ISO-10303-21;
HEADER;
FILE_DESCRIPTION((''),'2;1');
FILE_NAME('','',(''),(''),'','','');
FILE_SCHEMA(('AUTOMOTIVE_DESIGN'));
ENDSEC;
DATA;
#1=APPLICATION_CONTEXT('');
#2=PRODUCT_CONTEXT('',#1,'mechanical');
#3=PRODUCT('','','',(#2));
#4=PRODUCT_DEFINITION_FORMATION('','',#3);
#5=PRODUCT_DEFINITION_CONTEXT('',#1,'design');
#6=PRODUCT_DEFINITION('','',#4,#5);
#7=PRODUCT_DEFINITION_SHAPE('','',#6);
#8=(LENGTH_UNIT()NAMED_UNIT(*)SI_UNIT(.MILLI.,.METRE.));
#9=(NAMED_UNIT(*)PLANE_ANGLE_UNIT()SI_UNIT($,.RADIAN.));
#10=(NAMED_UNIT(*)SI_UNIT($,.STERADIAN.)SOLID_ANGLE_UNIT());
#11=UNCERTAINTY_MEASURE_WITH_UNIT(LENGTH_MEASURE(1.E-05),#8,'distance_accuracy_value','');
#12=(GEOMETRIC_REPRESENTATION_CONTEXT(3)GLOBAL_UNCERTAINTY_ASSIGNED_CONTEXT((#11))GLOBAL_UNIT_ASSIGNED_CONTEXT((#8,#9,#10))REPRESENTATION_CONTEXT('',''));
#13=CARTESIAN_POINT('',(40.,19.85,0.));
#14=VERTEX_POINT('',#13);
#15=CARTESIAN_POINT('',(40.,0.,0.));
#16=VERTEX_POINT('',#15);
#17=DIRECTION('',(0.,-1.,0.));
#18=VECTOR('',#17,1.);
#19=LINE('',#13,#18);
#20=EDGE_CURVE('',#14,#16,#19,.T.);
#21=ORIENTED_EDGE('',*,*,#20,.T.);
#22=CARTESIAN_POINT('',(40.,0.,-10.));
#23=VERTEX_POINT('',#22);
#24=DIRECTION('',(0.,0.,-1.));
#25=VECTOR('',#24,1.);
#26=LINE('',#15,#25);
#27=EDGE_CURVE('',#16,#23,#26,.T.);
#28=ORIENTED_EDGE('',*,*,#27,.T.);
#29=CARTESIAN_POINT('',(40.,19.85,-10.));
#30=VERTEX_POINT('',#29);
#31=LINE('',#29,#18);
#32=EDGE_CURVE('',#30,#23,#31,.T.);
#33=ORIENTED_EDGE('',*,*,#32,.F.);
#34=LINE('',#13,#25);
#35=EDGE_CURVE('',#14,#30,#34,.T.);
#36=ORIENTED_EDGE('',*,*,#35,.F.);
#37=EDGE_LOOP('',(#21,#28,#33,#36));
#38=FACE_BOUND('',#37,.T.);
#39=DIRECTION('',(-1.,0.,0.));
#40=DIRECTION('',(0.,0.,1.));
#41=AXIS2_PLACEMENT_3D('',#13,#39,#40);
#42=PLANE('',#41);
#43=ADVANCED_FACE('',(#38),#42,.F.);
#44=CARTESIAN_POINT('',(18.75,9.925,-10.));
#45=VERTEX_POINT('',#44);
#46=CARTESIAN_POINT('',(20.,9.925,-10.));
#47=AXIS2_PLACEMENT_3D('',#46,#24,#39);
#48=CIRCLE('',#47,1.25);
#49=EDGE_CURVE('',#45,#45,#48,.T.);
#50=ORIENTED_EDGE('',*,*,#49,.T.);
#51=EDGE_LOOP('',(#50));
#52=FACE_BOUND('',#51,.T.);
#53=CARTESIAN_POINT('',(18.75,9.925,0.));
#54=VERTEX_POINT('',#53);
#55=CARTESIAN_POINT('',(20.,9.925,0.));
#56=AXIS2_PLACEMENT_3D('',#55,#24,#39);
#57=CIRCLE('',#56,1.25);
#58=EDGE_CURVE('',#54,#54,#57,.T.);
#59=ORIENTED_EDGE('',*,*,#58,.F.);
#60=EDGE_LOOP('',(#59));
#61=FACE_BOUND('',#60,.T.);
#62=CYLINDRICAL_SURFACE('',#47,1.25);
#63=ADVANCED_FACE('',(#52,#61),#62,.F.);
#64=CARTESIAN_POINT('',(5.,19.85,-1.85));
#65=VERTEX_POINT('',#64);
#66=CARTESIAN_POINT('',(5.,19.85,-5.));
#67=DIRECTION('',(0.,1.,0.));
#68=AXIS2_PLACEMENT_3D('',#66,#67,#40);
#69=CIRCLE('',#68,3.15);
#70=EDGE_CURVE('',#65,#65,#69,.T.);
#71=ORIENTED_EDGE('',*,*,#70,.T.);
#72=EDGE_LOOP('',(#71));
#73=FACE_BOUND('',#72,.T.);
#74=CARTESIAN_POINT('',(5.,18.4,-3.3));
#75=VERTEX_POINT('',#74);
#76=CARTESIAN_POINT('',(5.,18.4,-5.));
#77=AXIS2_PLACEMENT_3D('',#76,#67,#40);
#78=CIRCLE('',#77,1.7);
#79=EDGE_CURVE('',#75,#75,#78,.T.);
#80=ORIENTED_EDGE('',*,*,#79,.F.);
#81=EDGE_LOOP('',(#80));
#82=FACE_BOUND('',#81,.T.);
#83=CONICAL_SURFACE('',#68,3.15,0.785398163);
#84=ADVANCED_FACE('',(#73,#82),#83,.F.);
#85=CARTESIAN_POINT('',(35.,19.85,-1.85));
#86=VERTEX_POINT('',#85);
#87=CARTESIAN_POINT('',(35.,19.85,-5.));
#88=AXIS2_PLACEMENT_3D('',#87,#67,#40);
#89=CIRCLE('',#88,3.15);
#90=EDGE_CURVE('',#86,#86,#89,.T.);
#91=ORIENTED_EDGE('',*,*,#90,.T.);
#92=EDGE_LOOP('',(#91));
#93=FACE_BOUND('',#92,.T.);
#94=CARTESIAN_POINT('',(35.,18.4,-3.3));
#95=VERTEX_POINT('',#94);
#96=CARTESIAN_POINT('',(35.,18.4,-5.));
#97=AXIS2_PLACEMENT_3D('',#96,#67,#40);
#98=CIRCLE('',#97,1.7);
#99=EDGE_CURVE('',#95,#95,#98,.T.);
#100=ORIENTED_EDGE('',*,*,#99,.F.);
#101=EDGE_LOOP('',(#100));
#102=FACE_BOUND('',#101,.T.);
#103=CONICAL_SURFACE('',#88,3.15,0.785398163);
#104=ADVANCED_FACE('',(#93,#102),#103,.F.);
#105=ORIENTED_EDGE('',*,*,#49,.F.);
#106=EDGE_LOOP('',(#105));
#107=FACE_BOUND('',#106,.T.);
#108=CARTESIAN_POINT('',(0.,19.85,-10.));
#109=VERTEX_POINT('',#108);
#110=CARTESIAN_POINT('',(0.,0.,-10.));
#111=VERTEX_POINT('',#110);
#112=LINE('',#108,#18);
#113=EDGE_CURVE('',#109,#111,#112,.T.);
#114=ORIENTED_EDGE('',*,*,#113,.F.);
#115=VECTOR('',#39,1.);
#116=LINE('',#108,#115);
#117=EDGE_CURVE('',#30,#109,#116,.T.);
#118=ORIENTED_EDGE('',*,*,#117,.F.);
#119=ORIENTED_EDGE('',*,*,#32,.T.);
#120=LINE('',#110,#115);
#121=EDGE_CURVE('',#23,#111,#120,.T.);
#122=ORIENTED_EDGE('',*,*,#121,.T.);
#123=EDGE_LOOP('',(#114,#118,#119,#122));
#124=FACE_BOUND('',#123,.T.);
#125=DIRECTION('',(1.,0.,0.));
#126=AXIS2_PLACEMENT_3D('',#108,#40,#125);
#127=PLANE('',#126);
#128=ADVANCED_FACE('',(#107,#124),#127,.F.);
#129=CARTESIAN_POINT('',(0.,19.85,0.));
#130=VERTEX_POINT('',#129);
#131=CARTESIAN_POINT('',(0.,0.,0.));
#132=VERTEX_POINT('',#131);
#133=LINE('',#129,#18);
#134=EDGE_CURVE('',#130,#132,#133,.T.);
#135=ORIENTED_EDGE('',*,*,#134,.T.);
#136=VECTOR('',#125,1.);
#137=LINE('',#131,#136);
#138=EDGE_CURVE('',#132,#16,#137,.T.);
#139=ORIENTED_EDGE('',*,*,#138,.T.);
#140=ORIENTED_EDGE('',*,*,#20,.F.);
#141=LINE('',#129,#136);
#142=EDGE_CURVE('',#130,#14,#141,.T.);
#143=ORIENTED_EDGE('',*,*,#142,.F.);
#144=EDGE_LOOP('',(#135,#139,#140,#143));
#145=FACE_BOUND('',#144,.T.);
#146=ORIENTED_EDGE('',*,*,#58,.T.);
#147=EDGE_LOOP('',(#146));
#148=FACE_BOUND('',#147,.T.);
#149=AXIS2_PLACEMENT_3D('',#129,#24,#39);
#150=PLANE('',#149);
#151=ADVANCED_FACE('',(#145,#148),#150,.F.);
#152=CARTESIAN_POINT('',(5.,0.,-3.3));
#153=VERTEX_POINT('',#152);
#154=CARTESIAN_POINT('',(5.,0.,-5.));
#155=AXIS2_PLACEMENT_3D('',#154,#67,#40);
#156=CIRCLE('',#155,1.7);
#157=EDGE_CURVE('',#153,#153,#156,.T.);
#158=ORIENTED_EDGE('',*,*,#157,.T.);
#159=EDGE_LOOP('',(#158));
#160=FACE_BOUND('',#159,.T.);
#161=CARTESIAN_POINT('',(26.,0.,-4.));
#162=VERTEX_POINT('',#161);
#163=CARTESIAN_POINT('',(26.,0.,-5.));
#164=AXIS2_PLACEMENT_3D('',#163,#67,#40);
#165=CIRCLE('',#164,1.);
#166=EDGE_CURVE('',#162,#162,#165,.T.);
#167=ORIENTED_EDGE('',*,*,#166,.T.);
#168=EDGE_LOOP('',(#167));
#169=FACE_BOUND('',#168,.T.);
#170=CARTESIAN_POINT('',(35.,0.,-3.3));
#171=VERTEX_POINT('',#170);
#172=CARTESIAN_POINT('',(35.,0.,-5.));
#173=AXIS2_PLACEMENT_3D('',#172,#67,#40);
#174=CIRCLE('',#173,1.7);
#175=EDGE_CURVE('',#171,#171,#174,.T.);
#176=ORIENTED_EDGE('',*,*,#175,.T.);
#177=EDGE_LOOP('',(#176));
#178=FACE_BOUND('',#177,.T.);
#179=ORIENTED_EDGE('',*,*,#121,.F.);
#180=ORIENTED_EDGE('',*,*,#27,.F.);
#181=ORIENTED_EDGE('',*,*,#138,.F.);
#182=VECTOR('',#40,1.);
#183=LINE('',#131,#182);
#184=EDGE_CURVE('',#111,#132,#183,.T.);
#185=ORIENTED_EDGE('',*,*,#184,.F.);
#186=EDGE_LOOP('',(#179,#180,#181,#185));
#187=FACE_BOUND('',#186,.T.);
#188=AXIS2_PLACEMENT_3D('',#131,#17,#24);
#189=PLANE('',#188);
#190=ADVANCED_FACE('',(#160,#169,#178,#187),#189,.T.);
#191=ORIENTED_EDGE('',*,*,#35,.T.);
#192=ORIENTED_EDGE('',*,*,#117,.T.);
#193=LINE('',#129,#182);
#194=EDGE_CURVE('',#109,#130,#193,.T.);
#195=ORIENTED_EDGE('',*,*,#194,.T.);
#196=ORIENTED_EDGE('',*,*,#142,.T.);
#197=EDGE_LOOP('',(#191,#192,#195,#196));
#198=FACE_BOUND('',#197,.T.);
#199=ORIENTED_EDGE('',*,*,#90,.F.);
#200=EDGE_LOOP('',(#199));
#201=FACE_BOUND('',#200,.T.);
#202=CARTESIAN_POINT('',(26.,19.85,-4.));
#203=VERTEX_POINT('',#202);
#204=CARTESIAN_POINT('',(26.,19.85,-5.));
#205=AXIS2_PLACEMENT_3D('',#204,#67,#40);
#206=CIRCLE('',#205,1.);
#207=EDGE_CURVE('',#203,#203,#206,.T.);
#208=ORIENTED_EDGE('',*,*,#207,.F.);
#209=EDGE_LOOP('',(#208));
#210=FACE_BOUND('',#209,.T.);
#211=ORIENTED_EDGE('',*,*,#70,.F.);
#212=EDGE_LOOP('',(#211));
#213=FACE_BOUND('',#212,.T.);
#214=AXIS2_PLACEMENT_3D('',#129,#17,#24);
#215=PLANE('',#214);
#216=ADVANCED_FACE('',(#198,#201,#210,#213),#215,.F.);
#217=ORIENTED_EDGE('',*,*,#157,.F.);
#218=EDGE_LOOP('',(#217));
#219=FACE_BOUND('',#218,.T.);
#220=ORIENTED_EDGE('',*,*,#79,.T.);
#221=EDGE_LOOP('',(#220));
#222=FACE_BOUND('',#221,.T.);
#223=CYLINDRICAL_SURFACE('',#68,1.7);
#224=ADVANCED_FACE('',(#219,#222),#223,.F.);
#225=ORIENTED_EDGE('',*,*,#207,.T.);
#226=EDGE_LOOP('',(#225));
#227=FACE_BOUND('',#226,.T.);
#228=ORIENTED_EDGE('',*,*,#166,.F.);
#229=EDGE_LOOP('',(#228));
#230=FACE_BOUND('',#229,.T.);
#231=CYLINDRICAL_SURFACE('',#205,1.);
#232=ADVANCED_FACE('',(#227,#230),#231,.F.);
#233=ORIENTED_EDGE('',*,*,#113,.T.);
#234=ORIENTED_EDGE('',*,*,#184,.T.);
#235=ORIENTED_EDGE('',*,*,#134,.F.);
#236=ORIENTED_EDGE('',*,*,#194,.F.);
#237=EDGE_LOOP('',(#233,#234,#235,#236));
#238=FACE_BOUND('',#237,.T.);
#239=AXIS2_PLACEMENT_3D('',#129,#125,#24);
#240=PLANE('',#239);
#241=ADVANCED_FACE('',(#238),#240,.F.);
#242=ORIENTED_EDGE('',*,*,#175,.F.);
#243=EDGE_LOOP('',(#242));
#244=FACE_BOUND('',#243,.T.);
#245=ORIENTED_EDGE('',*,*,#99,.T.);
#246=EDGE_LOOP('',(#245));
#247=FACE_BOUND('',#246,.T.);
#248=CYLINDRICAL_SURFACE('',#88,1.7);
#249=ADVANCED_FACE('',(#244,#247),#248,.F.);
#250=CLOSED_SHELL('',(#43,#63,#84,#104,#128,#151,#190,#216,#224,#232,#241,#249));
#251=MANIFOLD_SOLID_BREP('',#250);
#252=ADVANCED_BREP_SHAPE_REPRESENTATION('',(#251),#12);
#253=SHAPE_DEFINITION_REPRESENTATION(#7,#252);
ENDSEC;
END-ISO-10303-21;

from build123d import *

# Parameters (mm, degrees)
SKETCH1_W                                       = 40
SKETCH1_H                                       = 10
BOSS_EXTRUDE1_DEPTH                             = 19.85
CSK_FOR_M3_FLAT_HEAD_MACHINE_SCREW1_D           = 3.4
CSK_FOR_M3_FLAT_HEAD_MACHINE_SCREW1_CSINK_D     = 6.3
CSK_FOR_M3_FLAT_HEAD_MACHINE_SCREW1_CSINK_ANGLE = 90
M3X0_5_TAPPED_HOLE1_D                           = 2.5
F_2_0MM_DOWEL_HOLE1_D                           = 2


with BuildPart() as part:
    # Sketch1 → Boss-Extrude1 (new body)
    with BuildSketch(Plane(origin=(0, 0, 0), x_dir=(1, 0, 0), z_dir=(0, 1, 0))):
        with Locations((20, 5)):
            Rectangle(SKETCH1_W, SKETCH1_H)
    extrude(amount=BOSS_EXTRUDE1_DEPTH)

    # CSK for M3 Flat Head Machine Screw1 (through all)
    with Locations(Plane(origin=(5, 19.85, -5), x_dir=(0, 0, 1), z_dir=(0, 1, 0))):
        with Locations((0, 0), (0, 30)):
            CounterSinkHole(CSK_FOR_M3_FLAT_HEAD_MACHINE_SCREW1_D / 2, CSK_FOR_M3_FLAT_HEAD_MACHINE_SCREW1_CSINK_D / 2, counter_sink_angle=CSK_FOR_M3_FLAT_HEAD_MACHINE_SCREW1_CSINK_ANGLE)

    # M3x0.5 Tapped Hole1 (through all)
    with Locations(Plane(origin=(20, 9.925, -10), x_dir=(-1, 0, 0), z_dir=(0, 0, -1))):
        with Locations((0, 0)):
            Hole(M3X0_5_TAPPED_HOLE1_D / 2)

    # Ø2.0mm Dowel Hole1 (through all)
    with Locations(Plane(origin=(26, 19.85, -5), x_dir=(0, 0, 1), z_dir=(0, 1, 0))):
        with Locations((0, 0)):
            Hole(F_2_0MM_DOWEL_HOLE1_D / 2)


solid = part.part
